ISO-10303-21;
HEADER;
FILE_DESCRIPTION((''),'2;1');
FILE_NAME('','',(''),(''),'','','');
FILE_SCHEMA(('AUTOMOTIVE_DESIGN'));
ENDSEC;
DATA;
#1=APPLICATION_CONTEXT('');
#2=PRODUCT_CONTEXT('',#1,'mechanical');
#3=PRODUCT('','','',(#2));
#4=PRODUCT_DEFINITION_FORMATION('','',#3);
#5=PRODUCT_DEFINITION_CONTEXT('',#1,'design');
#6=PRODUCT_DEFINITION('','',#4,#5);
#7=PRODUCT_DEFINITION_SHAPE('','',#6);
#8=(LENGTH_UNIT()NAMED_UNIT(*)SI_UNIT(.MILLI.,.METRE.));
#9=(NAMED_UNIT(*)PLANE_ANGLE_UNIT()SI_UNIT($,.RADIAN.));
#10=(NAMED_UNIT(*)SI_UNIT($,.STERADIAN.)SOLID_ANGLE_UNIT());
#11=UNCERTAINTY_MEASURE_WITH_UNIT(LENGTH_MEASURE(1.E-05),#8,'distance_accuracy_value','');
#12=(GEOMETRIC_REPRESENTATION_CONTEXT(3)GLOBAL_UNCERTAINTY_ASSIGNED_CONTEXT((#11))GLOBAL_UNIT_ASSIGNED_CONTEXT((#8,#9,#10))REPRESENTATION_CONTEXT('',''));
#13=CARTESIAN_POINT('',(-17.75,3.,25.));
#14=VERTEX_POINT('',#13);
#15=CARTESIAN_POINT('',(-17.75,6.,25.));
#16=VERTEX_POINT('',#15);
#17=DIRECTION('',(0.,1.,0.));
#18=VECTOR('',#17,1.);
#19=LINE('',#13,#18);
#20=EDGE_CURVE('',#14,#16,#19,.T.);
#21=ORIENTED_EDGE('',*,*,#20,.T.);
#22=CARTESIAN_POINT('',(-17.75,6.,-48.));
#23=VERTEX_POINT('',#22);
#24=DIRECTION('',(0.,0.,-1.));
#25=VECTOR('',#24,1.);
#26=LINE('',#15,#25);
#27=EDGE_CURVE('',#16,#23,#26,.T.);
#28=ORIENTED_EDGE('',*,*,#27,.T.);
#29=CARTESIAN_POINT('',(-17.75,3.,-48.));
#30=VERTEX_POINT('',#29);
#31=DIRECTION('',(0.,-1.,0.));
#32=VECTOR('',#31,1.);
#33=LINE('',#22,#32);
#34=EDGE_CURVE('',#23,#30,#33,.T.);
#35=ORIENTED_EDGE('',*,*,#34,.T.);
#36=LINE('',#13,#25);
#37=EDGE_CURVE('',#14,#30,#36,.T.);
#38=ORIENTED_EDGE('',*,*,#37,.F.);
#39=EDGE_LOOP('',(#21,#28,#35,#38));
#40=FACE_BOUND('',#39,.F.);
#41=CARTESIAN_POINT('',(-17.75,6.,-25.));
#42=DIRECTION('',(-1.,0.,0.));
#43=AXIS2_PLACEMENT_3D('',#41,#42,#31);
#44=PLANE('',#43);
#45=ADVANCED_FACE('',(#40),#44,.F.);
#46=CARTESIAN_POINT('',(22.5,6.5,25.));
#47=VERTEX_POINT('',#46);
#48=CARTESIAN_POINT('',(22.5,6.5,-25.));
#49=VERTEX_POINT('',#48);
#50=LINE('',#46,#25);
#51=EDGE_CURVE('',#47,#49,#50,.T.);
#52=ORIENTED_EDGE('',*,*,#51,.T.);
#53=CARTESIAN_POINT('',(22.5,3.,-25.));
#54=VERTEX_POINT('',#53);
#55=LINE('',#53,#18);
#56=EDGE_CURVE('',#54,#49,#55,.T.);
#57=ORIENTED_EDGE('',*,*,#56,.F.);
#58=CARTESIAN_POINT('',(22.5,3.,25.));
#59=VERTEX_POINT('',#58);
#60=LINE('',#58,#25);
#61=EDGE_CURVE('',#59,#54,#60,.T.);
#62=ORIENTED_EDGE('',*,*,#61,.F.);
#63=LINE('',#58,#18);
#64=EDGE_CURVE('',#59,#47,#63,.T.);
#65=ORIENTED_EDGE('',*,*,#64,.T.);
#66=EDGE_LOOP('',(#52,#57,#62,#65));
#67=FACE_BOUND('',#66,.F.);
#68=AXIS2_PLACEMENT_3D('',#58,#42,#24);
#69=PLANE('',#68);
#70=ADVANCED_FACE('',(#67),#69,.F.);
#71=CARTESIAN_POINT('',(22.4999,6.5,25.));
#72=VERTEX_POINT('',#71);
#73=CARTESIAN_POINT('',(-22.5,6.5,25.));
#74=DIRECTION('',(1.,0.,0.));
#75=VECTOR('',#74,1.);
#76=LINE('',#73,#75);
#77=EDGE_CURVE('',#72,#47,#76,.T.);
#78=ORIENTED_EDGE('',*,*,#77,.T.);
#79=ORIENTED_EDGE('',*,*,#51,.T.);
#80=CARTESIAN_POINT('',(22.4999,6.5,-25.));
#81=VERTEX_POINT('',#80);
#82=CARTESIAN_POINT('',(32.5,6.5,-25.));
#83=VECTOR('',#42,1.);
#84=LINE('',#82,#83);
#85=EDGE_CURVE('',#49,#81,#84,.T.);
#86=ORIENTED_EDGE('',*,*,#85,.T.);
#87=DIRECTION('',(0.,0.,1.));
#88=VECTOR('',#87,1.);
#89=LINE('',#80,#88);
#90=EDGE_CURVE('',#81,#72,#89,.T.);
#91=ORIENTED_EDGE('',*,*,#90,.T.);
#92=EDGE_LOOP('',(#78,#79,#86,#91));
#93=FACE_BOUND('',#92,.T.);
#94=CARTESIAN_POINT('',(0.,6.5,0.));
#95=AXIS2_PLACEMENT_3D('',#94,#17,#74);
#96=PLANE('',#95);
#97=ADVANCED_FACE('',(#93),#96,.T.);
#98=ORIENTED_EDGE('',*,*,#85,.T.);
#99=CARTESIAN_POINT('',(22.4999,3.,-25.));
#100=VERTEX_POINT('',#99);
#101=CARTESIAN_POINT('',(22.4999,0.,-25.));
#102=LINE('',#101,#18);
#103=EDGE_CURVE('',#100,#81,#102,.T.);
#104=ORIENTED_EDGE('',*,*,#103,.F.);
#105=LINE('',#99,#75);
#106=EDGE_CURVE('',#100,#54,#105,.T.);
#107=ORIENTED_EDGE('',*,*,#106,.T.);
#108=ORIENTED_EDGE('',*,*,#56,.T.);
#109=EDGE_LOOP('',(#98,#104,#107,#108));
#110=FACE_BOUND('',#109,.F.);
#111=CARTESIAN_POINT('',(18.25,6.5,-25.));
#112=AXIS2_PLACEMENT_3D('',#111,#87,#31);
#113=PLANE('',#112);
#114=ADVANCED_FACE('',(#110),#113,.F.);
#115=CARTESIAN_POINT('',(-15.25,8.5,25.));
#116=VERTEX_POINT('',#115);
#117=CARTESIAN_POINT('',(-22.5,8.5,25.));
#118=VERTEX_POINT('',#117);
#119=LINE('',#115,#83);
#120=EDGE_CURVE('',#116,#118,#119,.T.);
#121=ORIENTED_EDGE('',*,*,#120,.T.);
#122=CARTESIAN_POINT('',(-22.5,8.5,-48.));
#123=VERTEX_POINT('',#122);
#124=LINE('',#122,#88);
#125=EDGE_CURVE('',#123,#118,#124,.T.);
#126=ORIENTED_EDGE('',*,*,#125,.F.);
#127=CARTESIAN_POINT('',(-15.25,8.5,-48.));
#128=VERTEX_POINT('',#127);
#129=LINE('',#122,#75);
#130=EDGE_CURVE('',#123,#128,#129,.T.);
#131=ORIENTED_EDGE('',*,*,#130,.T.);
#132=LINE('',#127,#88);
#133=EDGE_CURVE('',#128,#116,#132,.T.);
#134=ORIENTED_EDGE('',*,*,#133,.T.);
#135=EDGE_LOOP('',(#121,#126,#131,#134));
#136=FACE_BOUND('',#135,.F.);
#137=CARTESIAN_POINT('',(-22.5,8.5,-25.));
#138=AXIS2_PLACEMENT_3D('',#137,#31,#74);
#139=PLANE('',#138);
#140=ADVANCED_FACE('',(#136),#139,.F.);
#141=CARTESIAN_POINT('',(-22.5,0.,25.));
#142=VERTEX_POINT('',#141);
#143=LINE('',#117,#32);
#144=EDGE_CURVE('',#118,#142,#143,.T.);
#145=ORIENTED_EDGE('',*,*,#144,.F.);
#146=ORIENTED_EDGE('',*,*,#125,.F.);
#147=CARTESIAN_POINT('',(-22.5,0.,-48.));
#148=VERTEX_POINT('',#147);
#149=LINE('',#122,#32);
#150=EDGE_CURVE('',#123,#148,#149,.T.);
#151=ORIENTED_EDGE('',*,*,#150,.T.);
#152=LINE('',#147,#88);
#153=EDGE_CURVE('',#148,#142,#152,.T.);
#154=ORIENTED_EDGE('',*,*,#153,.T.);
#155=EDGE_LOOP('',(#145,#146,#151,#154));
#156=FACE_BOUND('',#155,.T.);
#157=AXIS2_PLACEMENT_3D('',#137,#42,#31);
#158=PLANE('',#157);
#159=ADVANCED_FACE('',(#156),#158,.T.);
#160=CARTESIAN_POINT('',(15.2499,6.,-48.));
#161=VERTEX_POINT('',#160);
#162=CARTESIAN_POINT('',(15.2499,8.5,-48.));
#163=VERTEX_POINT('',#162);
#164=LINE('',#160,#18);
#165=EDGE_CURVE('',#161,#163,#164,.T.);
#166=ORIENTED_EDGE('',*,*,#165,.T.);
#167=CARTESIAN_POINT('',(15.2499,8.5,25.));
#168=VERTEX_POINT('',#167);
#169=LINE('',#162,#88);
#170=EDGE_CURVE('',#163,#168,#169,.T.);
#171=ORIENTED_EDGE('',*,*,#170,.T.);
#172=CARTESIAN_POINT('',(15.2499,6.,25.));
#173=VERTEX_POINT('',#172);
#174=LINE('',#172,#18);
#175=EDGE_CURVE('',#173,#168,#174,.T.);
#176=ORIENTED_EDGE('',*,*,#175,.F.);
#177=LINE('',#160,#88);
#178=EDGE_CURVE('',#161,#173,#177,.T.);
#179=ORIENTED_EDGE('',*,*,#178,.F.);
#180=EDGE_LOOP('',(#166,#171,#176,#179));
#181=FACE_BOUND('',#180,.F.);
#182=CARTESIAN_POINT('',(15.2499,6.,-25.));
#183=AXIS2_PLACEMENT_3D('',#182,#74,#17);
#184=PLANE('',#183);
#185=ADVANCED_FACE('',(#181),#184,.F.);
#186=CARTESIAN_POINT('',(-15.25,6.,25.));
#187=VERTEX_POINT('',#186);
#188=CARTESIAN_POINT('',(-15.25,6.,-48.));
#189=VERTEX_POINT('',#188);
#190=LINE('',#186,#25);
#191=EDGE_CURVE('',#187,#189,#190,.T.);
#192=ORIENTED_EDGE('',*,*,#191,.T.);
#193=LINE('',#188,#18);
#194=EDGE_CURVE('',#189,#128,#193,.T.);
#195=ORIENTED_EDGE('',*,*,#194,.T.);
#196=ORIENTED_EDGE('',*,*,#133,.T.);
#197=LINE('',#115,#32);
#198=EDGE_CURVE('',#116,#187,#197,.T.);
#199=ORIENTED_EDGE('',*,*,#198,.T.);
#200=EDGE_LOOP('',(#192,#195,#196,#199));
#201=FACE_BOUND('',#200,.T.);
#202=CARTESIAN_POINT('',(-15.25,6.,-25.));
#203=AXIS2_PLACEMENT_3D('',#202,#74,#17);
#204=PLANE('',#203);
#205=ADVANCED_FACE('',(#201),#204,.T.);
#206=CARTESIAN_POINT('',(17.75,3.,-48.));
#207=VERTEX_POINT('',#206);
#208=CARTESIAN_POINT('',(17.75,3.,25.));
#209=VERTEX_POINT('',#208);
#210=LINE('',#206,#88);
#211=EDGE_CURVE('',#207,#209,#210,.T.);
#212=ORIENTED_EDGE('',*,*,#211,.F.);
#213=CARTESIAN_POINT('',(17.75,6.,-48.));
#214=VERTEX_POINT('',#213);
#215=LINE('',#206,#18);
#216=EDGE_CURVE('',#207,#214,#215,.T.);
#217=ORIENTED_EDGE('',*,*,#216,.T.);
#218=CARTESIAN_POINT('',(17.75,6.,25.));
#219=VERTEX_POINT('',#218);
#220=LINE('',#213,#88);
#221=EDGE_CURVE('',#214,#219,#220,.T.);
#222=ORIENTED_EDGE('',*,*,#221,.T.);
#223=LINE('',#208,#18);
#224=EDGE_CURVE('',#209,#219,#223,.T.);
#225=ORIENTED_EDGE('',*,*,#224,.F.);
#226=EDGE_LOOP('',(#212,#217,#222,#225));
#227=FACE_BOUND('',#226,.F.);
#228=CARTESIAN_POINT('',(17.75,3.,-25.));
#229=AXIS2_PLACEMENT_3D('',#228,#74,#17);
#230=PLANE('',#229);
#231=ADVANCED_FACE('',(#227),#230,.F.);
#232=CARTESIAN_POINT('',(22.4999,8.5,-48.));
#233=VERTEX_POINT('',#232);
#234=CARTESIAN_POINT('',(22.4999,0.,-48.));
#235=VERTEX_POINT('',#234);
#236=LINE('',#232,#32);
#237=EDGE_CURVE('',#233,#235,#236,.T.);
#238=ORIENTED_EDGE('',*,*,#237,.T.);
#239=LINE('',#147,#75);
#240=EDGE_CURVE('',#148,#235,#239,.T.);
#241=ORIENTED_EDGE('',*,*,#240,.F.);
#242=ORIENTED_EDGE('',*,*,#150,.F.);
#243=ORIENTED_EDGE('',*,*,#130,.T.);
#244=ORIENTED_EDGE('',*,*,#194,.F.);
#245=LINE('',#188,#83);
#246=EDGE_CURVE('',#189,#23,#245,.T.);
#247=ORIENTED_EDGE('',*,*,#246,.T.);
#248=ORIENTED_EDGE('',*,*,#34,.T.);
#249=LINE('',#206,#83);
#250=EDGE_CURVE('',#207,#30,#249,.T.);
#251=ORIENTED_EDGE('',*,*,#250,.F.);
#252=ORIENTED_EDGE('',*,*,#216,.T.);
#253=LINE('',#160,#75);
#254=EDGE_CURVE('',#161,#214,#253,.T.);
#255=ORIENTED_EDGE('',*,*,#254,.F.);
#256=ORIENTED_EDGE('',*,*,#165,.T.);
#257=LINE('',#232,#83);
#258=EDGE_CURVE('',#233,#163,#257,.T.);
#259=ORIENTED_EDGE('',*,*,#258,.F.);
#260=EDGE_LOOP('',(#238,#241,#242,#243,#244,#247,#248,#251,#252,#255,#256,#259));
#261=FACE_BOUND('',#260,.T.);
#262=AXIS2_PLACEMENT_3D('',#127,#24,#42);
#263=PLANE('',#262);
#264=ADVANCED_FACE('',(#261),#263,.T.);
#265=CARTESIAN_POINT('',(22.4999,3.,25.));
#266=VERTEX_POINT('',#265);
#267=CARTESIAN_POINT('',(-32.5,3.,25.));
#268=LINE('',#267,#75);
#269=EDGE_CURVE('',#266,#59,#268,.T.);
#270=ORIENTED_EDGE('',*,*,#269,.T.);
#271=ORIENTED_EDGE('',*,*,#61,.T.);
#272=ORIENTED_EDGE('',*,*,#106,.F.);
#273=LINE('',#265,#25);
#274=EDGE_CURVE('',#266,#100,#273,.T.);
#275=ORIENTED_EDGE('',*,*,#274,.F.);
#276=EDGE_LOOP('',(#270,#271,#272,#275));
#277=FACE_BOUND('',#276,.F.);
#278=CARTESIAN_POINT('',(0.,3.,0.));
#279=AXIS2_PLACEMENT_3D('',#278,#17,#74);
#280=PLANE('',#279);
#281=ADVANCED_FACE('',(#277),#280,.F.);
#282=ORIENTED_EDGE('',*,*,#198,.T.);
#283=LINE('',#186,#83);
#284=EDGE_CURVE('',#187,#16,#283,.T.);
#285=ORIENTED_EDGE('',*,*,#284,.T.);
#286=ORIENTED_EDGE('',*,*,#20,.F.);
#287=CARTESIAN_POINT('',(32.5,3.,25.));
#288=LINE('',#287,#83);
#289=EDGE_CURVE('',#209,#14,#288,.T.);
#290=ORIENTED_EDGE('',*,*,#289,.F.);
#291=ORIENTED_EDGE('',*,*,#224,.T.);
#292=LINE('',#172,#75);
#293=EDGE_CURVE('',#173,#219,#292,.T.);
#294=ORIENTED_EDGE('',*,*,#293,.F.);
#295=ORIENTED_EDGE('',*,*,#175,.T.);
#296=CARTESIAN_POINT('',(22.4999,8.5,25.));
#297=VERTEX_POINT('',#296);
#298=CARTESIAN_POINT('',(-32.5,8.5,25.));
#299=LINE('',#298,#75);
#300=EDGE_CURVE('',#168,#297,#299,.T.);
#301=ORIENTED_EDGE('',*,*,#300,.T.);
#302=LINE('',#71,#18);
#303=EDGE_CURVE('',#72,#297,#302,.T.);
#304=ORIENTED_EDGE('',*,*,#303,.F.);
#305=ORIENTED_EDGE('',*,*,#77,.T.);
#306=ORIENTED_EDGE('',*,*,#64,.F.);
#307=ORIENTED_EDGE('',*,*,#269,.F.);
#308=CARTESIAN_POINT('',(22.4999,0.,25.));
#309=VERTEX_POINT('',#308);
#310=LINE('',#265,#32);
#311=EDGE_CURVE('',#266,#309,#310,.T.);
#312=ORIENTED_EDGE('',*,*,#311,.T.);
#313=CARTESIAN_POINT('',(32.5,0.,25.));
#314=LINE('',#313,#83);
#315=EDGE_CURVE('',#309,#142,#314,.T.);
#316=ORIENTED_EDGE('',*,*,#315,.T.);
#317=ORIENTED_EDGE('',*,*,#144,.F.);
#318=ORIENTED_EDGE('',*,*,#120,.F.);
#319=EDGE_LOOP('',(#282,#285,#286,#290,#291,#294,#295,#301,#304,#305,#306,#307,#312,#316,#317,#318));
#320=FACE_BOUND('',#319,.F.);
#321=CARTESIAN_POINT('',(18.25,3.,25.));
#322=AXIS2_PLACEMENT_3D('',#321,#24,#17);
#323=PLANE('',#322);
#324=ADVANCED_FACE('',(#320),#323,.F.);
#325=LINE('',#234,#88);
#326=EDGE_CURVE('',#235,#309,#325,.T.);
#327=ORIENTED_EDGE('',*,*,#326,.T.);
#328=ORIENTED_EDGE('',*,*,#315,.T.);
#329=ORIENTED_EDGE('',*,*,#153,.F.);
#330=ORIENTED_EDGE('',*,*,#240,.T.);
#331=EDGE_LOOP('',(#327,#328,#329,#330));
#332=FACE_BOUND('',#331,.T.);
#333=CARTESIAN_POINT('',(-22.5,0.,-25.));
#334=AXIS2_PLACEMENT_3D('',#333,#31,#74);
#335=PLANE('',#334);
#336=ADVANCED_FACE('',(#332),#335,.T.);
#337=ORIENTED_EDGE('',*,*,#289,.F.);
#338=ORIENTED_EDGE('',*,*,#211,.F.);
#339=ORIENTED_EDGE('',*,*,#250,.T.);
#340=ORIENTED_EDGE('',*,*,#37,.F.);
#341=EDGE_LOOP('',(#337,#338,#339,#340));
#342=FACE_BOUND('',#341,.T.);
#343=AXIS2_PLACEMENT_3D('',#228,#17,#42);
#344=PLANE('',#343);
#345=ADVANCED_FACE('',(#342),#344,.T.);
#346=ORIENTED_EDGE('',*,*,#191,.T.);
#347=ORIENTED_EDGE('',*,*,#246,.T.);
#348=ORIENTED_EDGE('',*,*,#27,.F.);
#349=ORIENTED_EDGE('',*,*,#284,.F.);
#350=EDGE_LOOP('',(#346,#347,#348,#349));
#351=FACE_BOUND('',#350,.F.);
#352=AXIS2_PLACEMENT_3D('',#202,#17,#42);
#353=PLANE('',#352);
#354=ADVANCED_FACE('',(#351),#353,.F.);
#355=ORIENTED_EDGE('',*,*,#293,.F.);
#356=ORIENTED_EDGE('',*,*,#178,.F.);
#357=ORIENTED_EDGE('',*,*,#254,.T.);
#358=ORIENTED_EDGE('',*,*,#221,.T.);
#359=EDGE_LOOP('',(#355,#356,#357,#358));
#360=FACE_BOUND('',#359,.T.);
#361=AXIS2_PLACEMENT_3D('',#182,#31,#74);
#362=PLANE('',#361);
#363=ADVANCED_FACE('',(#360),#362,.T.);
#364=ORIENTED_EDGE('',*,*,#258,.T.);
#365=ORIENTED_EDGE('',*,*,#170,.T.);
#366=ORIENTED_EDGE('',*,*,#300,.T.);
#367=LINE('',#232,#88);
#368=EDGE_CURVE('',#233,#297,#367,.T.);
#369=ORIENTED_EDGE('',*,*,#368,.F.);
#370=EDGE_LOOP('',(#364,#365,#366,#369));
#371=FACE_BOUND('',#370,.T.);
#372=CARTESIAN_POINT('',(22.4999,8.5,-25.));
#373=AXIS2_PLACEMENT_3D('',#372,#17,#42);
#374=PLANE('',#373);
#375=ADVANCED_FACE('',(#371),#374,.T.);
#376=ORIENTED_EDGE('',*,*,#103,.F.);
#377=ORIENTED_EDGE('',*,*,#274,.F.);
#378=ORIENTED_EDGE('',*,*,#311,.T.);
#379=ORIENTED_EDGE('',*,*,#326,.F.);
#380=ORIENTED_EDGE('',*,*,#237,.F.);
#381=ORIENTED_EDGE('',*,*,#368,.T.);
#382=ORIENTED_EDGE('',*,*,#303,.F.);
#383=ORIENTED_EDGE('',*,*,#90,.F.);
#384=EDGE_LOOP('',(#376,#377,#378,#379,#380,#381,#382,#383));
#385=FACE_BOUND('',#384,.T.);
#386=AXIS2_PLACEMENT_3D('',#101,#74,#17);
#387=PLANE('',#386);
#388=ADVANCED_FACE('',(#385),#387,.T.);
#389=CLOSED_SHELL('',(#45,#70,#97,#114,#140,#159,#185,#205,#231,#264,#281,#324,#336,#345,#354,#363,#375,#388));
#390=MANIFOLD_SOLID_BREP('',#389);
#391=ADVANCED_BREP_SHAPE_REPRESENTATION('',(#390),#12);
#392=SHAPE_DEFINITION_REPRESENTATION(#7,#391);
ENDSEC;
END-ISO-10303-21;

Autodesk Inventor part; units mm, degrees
ref_plane "YZ Plane" through (0, 0, 0) normal (1, 0, 0) x (0, 1, 0)
ref_plane "XZ Plane" through (0, 0, 0) normal (0, 1, 0) x (-1, 0, 0)
ref_plane "XY Plane" through (0, 0, 0) normal (0, 0, 1) x (1, 0, 0)
sketch "Sketch1" plane through (0, 0, 0) normal (0, 1, 0) x (-1, 0, 0)
  line L0 (-32.5, 25) -> (32.5, 25)
  line L1 (32.5, 25) -> (32.5, -25)
  line L2 (32.5, -25) -> (-32.5, -25)
  line L3 (-32.5, -25) -> (-32.5, 25)
  line L4 (-32.5, 25) -> (32.5, -25) construction
  line L5 (32.5, 25) -> (-32.5, -25) construction
  point P0 (0, 0)
  dimension "d0" = 65
  dimension "d1" = 50
extrude "Extrusion1" add sketch "Sketch1" along normal blind 3
sketch "Sketch2" plane through (0, 3, 0) normal (0, 1, 0) x (1, 0, 0)
  line L0 (32.5, 25) -> (-32.5, 25) projected
  line L1 (-18.25, -25) -> (18.25, -25)
  line L2 (18.25, -25) -> (18.25, 25)
  line L3 (18.25, 25) -> (-18.25, 25)
  line L4 (-18.25, 25) -> (-18.25, -25)
  line L5 (-18.25, -25) -> (18.25, 25) construction
  line L6 (18.25, -25) -> (-18.25, 25) construction
  line L7 (-22.5, -25) -> (22.5, -25)
  line L8 (22.5, -25) -> (22.5, 25)
  line L9 (22.5, 25) -> (-22.5, 25)
  line L10 (-22.5, 25) -> (-22.5, -25)
  line L11 (-22.5, -25) -> (22.5, 25) construction
  line L12 (22.5, -25) -> (-22.5, 25) construction
  point P0 (0, 0)
  dimension "d4" = 36.5
  dimension "d5" = 45
extrude "Extrusion2" add sketch "Sketch2" along normal blind 3.5 contours L8 L7 L2 L0 | L4 L7 L10 L0
sketch "Sketch3" plane through (0, 6.5, 0) normal (0, 1, 0) x (1, 0, 0)
  line L0 (-22.5, 25) -> (-32.5, 25) projected
  line L1 (-22.5, 25) -> (-15.25, 25)
  line L2 (-15.25, 25) -> (-15.25, -25)
  line L3 (-15.25, -25) -> (-22.5, -25)
  line L4 (-22.5, -25) -> (-22.5, 25)
  line L5 (-32.5, -25) -> (32.5, -25) projected
  line L6 (32.5, 25) -> (-32.5, 25) projected
  line L7 (22.4999, -25) -> (15.2499, -25)
  line L8 (15.2499, -25) -> (15.2499, 25)
  line L9 (15.2499, 25) -> (22.4999, 25)
  line L10 (22.4999, 25) -> (22.4999, -25)
  point P0 (0, 0)
  dimension "d8" = 7.25
  dimension "d9" = 7.25
extrude "Extrusion3" add sketch "Sketch3" along normal blind 2 contours L1 L2 L3 L4 | L6 L10 L5 L8
sketch "Sketch4" plane through (0, 3, 0) normal (0, 1, 0) x (1, 0, 0)
  line L0 (-22.5, 25) -> (-22.5, -25) projected
  line L1 (-32.5, 25) -> (-32.5, -25) projected
  line L2 (-22.5, 25) -> (-32.5, 25)
  line L3 (-32.5, 25) -> (-32.5, -25)
  line L4 (-32.5, -25) -> (-22.5, -25)
  line L5 (-22.5, -25) -> (-22.5, 25)
  line L6 (22.4999, -25) -> (22.4999, 25) projected
  line L7 (-32.5, -25) -> (32.5, -25) projected
  line L8 (22.4999, 25) -> (32.5, 25)
  line L9 (32.5, 25) -> (32.5, -25)
  line L10 (32.5, -25) -> (22.4999, -25)
  line L11 (22.4999, -25) -> (22.4999, 25)
  point P0 (0, 0)
extrude "Extrusion4" cut sketch "Sketch4" against normal blind 10
sketch "Sketch5" plane through (-18.25, 3, 25) normal (1, 0, 0) x (0, 0, -1)
  line L0 (0, 3.5) -> (50, 3.5) projected
  line L1 (50, 0) -> (0, 0)
  line L2 (0, 0) -> (0, 3.5)
  line L3 (0, 3.5) -> (50, 3.5)
  line L4 (50, 3.5) -> (50, 0)
  point P0 (25, -3)
extrude "Extrusion5" add sketch "Sketch5" along normal blind 0.5
sketch "Sketch6" plane through (18.25, 3, -25) normal (-1, 0, 0) x (0, 0, 1)
  line L0 (50, 0) -> (50, 3.5) projected
  line L1 (0, 0) -> (0, -3) projected
  line L2 (50, 3.5) -> (0, 3.5)
  line L3 (0, 3.5) -> (0, 0)
  line L4 (0, 0) -> (50, 0)
  line L5 (50, 0) -> (50, 3.5)
  point P0 (25, -3)
extrude "Extrusion6" add sketch "Sketch6" along normal blind 0.5
sketch "Sketch7" plane through (0, 6.5, 0) normal (0, -1, 0) x (1, 0, 0)
  line L0 (15.2499, 25) -> (17.75, 25) projected
  line L1 (15.2499, -25) -> (17.75, -25)
  line L2 (17.75, -25) -> (17.75, 25)
  line L3 (17.75, 25) -> (15.2499, 25)
  line L4 (15.2499, 25) -> (15.2499, -25)
  line L5 (-15.25, 25) -> (-17.75, 25)
  line L6 (-17.75, 25) -> (-17.75, -25)
  line L7 (-17.75, -25) -> (-15.25, -25)
  line L8 (-15.25, -25) -> (-15.25, 25)
  point P0 (0, 0)
extrude "Extrusion7" add sketch "Sketch7" along normal blind 0.5
sketch "Sketch8" plane through (-15.25, 8.5, -25) normal (0, 0, -1) x (-1, 0, 0)
  line L0 (0, -2.5) -> (0, 0) projected
  line L1 (0, -2.5) -> (0, 0)
  line L2 (7.25, 0) -> (0, 0) projected
  line L3 (0, 0) -> (7.25, 0)
  line L4 (7.25, 0) -> (7.25, -8.5) projected
  line L5 (7.25, 0) -> (7.25, -8.5)
  line L6 (7.25, -8.5) -> (-37.7499, -8.5) projected
  line L7 (7.25, -8.5) -> (-37.7499, -8.5)
  line L8 (-37.7499, -2) -> (-37.7499, 0) projected
  line L9 (-37.7499, -8.5) -> (-37.7499, 0)
  line L10 (-37.7499, 0) -> (-30.4999, 0) projected
  line L11 (-37.7499, 0) -> (-30.4999, 0)
  line L12 (-30.4999, -2.5) -> (-30.4999, 0) projected
  line L13 (-30.4999, 0) -> (-30.4999, -2.5)
  line L14 (-30.4999, -2.5) -> (-33, -2.5)
  line L15 (-33, -5.5) -> (-33, -2.5) projected
  line L16 (-33, -2.5) -> (-33, -5.5)
  line L17 (-33, -5.5) -> (2.5, -5.5) projected
  line L18 (-33, -5.5) -> (2.5, -5.5)
  line L19 (2.5, -2.5) -> (2.5, -5.5) projected
  line L20 (2.5, -5.5) -> (2.5, -2.5)
  line L21 (0, -2.5) -> (2.5, -2.5) projected
  line L22 (2.5, -2.5) -> (0, -2.5)
  point P0 (-15.25, -8.5)
extrude "Extrusion8" add sketch "Sketch8" along normal blind 23
properties part number "DINsupport"
